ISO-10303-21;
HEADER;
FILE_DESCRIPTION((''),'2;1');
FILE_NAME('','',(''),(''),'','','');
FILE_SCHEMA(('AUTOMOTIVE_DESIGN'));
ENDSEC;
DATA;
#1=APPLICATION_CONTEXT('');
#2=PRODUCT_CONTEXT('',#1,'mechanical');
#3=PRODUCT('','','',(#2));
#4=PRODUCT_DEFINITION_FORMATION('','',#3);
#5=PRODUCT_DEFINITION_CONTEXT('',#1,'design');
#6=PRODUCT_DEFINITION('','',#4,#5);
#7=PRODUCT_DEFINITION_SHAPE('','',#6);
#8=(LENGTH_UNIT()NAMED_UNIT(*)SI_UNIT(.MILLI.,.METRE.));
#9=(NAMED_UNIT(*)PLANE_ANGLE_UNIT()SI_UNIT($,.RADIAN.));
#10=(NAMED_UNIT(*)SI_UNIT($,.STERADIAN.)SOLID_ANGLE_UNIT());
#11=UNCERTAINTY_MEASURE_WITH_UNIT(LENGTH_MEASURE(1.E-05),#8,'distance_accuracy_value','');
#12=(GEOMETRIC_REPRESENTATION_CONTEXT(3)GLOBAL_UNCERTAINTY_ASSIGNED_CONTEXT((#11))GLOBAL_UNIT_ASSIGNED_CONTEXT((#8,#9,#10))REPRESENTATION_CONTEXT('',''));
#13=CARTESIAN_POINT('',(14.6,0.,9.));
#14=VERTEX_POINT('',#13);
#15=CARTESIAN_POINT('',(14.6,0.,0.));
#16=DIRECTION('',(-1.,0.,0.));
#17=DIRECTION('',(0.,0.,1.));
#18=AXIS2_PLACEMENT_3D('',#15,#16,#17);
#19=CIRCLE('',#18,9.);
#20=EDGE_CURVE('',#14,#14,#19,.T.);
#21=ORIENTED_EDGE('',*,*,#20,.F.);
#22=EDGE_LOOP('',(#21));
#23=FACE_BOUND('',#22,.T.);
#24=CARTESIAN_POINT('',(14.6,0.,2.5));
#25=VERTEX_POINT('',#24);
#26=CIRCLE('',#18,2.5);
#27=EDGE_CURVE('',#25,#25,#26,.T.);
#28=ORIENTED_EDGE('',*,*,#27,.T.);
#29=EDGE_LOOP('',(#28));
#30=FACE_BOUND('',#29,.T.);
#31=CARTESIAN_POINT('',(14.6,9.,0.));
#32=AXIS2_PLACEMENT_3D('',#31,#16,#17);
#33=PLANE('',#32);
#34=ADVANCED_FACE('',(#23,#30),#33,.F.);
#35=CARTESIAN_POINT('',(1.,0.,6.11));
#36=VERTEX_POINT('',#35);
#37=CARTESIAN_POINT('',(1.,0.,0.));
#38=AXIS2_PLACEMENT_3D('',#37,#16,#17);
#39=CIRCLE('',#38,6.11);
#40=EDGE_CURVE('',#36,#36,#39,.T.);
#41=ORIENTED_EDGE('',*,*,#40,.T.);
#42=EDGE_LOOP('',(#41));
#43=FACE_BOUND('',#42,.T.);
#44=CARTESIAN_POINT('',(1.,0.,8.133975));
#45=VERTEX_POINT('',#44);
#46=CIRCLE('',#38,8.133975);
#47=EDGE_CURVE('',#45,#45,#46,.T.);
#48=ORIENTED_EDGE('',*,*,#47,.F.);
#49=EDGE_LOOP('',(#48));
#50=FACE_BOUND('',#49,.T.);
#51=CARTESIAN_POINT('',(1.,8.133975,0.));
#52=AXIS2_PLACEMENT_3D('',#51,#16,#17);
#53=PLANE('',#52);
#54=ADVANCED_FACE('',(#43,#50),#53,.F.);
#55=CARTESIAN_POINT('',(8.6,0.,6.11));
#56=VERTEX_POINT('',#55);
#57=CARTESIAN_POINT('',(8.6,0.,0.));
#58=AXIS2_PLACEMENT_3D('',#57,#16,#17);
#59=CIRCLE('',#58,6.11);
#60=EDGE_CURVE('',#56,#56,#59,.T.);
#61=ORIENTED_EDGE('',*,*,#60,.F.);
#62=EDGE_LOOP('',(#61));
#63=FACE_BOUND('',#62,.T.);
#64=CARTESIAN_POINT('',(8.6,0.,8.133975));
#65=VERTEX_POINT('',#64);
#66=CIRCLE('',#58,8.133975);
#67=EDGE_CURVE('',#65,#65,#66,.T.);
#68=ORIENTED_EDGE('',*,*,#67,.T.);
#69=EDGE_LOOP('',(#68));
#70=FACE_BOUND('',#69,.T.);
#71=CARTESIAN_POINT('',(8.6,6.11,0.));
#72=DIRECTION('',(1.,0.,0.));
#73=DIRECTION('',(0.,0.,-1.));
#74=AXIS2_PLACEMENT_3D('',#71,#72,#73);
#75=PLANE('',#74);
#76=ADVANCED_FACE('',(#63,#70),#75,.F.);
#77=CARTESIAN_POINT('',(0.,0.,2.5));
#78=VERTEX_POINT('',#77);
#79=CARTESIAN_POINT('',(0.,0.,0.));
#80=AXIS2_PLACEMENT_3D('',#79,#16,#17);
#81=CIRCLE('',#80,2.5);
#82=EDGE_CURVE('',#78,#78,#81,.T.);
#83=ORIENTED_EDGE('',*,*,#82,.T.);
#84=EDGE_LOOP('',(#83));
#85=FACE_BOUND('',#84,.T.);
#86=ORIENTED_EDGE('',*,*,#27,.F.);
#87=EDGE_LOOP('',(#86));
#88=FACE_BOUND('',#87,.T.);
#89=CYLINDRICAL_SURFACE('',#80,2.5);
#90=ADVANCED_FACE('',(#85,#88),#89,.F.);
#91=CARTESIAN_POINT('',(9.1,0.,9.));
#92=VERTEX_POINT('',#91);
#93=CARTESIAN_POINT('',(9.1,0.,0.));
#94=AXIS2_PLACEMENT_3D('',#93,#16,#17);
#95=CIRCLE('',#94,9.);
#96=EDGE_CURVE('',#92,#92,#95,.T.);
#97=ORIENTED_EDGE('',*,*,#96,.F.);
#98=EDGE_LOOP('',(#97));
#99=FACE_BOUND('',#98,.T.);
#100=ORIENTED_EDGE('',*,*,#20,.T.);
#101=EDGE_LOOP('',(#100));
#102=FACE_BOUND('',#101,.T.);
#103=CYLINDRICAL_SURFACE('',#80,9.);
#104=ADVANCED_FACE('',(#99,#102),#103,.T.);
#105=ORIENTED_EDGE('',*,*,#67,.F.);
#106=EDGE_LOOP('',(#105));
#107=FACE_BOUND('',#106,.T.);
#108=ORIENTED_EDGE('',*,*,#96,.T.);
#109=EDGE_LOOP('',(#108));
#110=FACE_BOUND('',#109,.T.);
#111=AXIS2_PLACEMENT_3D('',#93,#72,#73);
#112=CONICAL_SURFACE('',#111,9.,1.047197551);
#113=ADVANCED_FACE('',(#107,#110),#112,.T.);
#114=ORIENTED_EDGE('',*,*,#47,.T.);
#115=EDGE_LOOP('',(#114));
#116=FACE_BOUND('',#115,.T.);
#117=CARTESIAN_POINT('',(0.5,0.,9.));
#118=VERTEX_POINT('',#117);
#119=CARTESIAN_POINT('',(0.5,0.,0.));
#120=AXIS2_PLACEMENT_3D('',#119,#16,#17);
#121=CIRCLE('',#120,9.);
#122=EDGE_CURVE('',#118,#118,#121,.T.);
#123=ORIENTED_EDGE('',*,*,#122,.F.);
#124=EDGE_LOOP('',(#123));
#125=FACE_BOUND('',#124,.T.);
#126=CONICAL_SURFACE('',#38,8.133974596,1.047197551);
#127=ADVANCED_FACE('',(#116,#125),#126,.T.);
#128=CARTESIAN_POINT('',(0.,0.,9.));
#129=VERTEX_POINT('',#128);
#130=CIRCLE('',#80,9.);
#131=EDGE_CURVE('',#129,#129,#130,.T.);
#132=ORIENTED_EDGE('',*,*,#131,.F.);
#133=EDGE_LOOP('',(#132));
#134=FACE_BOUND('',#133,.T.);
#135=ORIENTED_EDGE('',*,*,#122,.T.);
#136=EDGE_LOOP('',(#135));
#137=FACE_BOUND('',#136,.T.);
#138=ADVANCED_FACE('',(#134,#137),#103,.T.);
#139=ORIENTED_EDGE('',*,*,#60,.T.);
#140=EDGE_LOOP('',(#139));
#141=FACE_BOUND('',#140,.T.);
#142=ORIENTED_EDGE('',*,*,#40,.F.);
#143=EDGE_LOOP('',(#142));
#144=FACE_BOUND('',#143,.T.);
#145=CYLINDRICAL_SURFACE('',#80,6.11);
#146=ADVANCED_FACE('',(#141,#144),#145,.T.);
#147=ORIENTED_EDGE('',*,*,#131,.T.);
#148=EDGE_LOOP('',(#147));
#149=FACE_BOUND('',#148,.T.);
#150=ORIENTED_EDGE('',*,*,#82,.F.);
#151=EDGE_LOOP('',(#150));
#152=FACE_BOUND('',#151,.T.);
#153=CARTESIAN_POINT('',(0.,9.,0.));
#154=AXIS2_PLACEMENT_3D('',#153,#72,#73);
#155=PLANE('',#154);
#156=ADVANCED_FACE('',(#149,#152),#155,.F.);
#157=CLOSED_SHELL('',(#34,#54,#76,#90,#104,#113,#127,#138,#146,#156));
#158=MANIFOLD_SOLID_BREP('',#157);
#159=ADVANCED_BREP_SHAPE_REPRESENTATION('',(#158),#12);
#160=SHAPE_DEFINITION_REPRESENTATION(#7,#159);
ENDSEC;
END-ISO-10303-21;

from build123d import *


with BuildPart() as part:
    # Schizzo1 → Rivoluzione1 (revolve)
    with BuildSketch(Plane.XY, mode=Mode.PRIVATE) as rivoluzione1_sk:
        Polygon((0, 9), (0.5, 9), (1, 8.133974596), (1, 6.11), (8.6, 6.11), (8.6, 8.133974596), (9.1, 9), (14.6, 9), (14.6, 2.5), (0, 2.5), align=None)
    revolve(rivoluzione1_sk.sketch.rotate(Axis((0, 0, 0), (1, 0, 0)), 90), axis=Axis((0, 0, 0), (1, 0, 0)))


solid = part.part
